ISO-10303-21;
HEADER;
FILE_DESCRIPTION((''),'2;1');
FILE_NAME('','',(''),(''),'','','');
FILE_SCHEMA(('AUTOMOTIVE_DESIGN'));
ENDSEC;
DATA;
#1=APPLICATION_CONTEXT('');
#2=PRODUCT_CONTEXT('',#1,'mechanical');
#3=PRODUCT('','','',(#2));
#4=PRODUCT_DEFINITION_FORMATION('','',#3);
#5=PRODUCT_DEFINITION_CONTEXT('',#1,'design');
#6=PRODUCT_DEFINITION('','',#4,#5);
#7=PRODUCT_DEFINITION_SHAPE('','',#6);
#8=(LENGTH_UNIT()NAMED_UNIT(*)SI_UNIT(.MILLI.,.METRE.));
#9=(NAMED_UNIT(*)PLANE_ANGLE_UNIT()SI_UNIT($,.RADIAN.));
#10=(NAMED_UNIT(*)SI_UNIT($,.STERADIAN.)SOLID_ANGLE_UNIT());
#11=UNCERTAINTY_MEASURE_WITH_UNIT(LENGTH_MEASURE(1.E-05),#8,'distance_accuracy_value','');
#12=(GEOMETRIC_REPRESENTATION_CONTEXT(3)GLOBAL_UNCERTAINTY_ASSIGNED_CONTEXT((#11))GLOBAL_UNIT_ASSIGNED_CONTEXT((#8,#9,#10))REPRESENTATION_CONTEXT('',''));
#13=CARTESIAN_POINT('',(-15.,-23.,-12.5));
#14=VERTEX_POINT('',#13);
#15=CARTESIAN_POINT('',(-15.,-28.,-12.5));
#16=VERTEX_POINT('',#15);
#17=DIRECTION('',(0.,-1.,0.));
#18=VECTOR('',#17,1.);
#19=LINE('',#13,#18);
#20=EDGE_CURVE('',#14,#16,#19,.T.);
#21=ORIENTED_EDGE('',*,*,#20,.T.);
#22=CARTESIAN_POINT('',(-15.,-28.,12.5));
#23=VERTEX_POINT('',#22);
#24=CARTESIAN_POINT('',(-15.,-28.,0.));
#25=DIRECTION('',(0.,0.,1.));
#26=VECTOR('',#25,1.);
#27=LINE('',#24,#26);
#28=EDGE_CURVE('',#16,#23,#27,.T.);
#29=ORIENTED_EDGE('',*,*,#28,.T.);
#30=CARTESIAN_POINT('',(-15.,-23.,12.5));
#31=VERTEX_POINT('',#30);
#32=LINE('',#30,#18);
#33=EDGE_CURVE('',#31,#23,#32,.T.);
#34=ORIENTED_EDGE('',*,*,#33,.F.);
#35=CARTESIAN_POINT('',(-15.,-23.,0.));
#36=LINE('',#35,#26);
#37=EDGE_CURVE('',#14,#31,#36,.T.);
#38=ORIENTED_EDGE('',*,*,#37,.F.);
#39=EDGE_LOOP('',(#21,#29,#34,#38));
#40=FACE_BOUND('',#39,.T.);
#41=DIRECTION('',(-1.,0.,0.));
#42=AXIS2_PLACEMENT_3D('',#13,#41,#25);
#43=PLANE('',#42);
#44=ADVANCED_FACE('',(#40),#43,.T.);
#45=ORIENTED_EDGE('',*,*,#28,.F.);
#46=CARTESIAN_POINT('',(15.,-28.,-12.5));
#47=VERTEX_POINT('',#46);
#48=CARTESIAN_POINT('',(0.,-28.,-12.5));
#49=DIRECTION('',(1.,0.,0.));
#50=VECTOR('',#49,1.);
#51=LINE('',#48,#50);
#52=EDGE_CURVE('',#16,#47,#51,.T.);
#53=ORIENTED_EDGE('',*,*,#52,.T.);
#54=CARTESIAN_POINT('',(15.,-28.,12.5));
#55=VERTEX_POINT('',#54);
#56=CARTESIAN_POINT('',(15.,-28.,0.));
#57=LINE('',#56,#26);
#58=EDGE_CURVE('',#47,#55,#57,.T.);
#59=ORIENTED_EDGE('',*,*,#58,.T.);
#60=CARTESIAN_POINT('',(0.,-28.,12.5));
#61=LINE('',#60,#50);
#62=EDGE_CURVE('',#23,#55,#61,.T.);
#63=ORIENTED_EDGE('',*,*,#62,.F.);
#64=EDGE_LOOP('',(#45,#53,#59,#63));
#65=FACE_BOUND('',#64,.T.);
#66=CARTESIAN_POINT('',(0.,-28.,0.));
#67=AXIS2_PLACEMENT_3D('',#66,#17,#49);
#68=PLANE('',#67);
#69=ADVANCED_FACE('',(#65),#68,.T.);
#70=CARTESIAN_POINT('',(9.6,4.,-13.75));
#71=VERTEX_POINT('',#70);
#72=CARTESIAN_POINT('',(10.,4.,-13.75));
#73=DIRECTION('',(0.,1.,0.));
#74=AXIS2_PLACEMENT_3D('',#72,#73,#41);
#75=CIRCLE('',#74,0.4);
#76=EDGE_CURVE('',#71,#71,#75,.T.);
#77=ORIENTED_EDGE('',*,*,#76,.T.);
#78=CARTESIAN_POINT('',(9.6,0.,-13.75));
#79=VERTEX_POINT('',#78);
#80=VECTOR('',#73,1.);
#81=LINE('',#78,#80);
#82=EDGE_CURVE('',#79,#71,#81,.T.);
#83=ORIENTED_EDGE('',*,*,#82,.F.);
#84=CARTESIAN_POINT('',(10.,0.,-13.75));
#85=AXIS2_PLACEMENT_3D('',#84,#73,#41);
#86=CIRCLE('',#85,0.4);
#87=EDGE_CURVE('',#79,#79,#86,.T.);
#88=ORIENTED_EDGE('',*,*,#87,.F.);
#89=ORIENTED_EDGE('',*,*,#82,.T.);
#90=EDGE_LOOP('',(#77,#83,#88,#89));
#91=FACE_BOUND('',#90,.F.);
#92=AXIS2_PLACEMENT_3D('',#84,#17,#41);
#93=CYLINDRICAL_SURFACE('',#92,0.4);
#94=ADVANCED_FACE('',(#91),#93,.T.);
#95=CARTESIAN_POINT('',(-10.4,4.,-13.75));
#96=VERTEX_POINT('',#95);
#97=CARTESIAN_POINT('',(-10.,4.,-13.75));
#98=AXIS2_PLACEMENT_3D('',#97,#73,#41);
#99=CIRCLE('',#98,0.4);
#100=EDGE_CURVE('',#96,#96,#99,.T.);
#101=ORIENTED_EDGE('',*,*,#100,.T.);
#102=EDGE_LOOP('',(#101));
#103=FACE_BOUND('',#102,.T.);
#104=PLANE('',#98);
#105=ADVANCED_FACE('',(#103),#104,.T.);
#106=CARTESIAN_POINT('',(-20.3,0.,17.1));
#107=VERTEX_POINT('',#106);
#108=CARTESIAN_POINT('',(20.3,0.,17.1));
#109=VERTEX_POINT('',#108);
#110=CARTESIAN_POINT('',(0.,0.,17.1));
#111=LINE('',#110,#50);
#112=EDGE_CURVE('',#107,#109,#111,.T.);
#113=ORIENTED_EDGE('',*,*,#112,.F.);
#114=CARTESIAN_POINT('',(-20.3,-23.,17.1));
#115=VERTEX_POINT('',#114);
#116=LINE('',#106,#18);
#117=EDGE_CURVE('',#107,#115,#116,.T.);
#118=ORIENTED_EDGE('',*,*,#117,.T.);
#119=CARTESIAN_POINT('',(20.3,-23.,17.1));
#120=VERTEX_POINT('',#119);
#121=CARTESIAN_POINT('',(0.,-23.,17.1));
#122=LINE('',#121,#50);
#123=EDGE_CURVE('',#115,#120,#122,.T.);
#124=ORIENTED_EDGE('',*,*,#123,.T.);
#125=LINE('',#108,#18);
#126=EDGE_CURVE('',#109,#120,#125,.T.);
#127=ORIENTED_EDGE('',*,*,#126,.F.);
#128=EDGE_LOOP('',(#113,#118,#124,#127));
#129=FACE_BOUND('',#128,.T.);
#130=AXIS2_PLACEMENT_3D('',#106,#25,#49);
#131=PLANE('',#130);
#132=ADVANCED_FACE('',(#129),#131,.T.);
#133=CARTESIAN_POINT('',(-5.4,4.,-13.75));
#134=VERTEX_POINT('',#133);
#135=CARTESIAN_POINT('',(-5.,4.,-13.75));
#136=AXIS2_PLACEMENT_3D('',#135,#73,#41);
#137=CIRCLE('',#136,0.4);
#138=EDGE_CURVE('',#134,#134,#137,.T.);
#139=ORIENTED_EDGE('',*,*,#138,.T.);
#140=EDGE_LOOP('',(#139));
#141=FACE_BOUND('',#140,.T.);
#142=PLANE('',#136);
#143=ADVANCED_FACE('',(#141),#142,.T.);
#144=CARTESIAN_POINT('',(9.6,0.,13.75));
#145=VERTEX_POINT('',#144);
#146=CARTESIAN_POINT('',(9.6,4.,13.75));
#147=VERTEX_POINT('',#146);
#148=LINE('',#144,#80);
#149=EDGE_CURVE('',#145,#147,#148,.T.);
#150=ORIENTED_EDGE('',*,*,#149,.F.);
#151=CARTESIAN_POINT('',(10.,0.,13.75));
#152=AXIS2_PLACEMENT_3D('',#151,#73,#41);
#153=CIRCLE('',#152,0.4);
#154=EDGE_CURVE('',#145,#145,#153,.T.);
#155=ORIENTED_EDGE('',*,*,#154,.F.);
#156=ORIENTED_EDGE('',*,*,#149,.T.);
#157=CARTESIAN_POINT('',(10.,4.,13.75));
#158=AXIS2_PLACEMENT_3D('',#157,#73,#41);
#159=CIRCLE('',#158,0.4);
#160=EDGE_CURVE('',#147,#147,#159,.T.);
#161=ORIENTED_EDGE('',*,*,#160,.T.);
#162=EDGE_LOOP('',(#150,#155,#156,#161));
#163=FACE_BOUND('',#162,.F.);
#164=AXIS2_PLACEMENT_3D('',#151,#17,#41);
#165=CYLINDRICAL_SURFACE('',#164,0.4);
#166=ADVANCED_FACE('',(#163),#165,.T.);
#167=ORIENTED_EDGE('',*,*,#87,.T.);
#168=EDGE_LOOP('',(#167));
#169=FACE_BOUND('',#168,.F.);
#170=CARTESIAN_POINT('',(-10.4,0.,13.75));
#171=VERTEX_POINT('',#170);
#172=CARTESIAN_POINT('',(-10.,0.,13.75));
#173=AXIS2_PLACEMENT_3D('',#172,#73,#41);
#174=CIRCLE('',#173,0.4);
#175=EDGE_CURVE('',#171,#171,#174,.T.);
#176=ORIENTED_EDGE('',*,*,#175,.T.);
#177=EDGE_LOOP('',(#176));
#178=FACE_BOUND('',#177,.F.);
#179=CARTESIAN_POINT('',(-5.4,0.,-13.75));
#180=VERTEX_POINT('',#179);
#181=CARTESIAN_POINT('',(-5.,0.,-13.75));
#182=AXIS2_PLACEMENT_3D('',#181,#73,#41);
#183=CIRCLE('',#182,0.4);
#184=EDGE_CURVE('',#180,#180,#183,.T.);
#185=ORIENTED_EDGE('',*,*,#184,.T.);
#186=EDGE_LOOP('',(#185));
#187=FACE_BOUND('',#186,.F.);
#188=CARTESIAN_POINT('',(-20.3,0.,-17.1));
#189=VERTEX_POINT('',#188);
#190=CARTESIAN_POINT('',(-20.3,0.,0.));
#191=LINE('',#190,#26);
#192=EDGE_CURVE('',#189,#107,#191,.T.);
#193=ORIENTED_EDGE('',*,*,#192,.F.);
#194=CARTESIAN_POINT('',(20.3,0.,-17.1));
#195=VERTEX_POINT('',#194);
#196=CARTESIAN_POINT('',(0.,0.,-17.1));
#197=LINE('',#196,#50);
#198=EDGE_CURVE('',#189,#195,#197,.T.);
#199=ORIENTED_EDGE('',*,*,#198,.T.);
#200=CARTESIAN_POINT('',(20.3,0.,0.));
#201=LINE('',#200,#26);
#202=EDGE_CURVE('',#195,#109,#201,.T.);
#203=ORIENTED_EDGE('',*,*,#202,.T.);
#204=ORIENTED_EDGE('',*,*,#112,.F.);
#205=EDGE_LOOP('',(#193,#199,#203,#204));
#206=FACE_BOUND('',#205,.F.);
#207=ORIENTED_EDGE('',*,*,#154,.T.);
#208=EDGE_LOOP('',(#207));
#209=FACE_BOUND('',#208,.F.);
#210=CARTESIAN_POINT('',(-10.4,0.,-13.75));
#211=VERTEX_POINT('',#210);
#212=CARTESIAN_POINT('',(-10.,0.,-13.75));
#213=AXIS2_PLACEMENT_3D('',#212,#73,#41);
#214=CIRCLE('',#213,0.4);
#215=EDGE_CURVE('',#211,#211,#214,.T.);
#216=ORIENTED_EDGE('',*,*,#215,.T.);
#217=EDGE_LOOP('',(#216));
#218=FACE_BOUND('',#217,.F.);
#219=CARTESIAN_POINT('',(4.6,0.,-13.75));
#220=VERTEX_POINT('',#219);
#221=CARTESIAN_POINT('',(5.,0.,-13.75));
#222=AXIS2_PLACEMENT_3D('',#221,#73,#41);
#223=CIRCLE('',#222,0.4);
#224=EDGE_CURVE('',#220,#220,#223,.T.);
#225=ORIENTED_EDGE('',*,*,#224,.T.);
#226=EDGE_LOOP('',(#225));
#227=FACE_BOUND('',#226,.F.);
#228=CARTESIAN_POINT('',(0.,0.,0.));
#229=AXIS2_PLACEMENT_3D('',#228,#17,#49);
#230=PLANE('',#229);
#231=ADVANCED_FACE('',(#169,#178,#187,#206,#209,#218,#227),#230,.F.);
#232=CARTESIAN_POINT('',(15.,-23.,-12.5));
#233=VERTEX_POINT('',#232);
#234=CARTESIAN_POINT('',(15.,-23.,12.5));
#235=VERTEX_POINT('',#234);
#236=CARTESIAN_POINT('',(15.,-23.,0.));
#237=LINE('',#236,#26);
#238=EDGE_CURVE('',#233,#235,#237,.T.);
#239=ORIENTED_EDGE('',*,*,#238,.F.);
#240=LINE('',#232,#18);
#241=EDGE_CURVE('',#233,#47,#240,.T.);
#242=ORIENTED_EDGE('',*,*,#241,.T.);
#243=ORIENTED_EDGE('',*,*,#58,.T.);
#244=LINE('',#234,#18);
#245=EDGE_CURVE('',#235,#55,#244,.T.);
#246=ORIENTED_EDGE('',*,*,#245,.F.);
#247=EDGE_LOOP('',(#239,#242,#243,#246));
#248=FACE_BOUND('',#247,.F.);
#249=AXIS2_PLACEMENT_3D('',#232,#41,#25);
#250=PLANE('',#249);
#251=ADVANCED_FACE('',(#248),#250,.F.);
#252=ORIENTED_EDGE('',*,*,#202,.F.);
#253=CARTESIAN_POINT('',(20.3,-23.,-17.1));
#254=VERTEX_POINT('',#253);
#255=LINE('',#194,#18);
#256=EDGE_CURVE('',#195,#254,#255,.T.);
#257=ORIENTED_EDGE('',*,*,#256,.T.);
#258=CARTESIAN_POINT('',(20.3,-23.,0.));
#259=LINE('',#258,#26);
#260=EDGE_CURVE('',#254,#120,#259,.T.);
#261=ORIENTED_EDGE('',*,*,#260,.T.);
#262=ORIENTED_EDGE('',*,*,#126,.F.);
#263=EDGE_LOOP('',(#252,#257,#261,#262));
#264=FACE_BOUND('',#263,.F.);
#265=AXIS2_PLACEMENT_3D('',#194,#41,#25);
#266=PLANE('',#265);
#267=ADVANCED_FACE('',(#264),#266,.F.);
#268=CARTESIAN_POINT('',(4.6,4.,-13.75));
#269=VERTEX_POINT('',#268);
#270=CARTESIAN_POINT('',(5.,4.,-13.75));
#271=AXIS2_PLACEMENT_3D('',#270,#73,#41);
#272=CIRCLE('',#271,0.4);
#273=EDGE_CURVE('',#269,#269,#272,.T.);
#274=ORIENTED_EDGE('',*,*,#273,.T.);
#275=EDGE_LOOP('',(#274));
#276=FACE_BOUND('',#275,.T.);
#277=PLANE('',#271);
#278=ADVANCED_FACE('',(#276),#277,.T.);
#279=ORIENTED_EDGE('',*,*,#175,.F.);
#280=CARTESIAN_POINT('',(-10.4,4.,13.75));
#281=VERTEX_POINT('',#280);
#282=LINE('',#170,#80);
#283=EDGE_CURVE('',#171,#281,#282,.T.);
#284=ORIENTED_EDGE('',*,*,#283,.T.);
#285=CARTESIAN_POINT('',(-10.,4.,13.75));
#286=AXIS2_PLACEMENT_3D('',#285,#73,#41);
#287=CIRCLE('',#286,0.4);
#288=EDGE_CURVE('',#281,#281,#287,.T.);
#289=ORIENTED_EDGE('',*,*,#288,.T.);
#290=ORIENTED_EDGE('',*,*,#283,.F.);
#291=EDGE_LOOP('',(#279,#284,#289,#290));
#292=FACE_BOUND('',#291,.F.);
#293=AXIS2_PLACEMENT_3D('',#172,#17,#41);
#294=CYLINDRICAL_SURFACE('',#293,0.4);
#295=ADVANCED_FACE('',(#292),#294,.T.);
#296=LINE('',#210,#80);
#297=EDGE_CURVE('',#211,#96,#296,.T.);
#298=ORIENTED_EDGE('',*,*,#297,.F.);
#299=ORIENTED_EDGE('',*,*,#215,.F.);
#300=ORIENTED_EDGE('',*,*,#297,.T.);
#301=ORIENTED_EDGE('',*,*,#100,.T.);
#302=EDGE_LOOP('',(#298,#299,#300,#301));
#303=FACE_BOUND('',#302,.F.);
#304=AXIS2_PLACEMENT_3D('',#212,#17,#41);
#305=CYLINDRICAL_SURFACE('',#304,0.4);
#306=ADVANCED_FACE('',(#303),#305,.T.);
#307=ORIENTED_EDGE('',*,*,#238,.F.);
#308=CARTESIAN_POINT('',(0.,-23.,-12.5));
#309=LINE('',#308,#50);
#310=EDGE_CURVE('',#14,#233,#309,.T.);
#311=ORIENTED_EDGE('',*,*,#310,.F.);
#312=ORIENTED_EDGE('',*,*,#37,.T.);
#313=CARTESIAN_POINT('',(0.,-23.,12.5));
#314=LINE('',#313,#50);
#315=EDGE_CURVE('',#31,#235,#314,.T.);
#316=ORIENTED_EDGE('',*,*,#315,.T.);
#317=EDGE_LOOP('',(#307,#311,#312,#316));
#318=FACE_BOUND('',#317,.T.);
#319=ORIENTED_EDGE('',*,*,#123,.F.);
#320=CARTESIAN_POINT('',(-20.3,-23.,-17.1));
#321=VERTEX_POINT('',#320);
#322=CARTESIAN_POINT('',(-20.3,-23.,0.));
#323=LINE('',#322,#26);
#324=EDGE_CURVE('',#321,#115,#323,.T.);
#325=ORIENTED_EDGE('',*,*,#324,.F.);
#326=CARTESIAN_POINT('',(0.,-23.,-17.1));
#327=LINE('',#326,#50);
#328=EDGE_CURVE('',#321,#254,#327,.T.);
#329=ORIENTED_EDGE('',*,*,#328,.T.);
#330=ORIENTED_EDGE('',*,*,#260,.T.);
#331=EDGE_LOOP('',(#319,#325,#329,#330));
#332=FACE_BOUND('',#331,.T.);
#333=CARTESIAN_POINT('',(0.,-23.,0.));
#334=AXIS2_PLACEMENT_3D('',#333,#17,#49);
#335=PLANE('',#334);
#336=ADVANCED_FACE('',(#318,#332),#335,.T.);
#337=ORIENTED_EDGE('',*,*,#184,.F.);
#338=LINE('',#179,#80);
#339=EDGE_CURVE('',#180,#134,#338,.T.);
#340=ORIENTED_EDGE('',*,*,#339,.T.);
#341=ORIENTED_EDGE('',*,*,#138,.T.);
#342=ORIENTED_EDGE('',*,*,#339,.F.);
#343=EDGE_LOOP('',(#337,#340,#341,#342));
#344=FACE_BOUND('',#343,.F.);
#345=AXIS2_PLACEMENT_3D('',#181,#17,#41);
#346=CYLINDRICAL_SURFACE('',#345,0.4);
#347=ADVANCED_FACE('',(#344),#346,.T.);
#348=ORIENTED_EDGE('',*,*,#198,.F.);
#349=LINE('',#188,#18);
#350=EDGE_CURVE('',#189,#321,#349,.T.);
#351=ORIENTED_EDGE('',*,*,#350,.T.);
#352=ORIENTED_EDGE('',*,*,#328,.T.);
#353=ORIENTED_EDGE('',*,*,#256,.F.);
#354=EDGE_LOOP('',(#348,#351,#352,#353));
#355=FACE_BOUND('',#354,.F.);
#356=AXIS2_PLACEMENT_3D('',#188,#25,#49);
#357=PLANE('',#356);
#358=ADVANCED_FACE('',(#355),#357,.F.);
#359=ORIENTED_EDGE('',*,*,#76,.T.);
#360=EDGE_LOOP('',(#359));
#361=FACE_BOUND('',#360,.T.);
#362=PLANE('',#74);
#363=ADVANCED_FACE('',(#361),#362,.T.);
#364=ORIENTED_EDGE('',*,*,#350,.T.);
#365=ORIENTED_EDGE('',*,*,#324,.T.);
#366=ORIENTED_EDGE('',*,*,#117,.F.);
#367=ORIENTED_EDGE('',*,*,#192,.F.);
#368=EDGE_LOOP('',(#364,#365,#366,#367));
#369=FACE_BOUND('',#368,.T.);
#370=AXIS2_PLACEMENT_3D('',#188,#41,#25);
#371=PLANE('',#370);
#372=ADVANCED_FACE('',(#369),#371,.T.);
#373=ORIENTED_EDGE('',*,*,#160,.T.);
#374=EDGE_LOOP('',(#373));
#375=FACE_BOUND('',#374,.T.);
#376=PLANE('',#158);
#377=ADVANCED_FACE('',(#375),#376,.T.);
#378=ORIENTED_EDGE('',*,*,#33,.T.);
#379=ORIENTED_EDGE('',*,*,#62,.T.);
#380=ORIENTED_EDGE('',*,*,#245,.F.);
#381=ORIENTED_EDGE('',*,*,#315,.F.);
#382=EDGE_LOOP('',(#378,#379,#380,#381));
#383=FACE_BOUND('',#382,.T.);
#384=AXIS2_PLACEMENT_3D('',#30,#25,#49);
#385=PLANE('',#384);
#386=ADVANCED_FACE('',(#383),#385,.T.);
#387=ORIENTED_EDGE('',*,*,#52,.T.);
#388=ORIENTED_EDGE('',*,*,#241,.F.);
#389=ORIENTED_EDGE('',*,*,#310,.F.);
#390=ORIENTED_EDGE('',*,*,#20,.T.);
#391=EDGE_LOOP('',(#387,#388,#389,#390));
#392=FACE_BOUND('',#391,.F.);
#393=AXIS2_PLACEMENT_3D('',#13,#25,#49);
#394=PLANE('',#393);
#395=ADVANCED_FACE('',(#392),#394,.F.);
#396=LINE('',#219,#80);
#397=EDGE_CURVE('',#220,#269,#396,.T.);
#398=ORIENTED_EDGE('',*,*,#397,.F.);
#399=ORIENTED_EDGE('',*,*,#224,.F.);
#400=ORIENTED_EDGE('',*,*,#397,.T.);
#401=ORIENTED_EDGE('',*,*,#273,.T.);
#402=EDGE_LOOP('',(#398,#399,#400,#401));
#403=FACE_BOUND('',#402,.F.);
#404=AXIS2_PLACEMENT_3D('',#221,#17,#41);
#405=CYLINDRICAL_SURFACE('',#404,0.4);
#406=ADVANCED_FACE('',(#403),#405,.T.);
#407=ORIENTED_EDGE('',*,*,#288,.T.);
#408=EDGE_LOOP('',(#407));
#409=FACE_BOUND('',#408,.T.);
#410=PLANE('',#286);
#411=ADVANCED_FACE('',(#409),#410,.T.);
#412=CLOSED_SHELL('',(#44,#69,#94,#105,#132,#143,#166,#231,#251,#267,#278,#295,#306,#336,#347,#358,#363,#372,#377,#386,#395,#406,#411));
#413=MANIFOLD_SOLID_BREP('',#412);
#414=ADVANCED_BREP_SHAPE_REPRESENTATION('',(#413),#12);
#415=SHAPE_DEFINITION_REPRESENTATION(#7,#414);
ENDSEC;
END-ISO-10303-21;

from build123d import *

# Parameters (mm, degrees)
F0_W     = 40.6
F0_H     = 34.2
F1_DEPTH = 23
F2_W     = 30
F2_H     = 25
F3_DEPTH = 5
F4_R     = 0.4
F5_DEPTH = 4


with BuildPart() as f1:
    # F0 (on Front) → F1 (new body)
    with BuildSketch(Plane.XZ):
        Rectangle(F0_W, F0_H)
    extrude(amount=F1_DEPTH)

    # F2 (on face) → F3 (join)
    with BuildSketch(Plane.XZ.offset(23)):
        Rectangle(F2_W, F2_H)
    extrude(amount=F3_DEPTH)

    # F4 (on face) → F5 (join)
    with BuildSketch(Plane(origin=(0, 0, 0), x_dir=(-1, 0, 0), z_dir=(0, 1, 0))):
        with Locations((10, 13.75)):
            Circle(F4_R)
        with Locations((-10, 13.75)):
            Circle(F4_R)
        with Locations((-10, -13.75)):
            Circle(F4_R)
        with Locations((-5, -13.75)):
            Circle(F4_R)
        with Locations((10, -13.75)):
            Circle(F4_R)
        with Locations((5, -13.75)):
            Circle(F4_R)
    extrude(amount=F5_DEPTH)


solid = f1.part
